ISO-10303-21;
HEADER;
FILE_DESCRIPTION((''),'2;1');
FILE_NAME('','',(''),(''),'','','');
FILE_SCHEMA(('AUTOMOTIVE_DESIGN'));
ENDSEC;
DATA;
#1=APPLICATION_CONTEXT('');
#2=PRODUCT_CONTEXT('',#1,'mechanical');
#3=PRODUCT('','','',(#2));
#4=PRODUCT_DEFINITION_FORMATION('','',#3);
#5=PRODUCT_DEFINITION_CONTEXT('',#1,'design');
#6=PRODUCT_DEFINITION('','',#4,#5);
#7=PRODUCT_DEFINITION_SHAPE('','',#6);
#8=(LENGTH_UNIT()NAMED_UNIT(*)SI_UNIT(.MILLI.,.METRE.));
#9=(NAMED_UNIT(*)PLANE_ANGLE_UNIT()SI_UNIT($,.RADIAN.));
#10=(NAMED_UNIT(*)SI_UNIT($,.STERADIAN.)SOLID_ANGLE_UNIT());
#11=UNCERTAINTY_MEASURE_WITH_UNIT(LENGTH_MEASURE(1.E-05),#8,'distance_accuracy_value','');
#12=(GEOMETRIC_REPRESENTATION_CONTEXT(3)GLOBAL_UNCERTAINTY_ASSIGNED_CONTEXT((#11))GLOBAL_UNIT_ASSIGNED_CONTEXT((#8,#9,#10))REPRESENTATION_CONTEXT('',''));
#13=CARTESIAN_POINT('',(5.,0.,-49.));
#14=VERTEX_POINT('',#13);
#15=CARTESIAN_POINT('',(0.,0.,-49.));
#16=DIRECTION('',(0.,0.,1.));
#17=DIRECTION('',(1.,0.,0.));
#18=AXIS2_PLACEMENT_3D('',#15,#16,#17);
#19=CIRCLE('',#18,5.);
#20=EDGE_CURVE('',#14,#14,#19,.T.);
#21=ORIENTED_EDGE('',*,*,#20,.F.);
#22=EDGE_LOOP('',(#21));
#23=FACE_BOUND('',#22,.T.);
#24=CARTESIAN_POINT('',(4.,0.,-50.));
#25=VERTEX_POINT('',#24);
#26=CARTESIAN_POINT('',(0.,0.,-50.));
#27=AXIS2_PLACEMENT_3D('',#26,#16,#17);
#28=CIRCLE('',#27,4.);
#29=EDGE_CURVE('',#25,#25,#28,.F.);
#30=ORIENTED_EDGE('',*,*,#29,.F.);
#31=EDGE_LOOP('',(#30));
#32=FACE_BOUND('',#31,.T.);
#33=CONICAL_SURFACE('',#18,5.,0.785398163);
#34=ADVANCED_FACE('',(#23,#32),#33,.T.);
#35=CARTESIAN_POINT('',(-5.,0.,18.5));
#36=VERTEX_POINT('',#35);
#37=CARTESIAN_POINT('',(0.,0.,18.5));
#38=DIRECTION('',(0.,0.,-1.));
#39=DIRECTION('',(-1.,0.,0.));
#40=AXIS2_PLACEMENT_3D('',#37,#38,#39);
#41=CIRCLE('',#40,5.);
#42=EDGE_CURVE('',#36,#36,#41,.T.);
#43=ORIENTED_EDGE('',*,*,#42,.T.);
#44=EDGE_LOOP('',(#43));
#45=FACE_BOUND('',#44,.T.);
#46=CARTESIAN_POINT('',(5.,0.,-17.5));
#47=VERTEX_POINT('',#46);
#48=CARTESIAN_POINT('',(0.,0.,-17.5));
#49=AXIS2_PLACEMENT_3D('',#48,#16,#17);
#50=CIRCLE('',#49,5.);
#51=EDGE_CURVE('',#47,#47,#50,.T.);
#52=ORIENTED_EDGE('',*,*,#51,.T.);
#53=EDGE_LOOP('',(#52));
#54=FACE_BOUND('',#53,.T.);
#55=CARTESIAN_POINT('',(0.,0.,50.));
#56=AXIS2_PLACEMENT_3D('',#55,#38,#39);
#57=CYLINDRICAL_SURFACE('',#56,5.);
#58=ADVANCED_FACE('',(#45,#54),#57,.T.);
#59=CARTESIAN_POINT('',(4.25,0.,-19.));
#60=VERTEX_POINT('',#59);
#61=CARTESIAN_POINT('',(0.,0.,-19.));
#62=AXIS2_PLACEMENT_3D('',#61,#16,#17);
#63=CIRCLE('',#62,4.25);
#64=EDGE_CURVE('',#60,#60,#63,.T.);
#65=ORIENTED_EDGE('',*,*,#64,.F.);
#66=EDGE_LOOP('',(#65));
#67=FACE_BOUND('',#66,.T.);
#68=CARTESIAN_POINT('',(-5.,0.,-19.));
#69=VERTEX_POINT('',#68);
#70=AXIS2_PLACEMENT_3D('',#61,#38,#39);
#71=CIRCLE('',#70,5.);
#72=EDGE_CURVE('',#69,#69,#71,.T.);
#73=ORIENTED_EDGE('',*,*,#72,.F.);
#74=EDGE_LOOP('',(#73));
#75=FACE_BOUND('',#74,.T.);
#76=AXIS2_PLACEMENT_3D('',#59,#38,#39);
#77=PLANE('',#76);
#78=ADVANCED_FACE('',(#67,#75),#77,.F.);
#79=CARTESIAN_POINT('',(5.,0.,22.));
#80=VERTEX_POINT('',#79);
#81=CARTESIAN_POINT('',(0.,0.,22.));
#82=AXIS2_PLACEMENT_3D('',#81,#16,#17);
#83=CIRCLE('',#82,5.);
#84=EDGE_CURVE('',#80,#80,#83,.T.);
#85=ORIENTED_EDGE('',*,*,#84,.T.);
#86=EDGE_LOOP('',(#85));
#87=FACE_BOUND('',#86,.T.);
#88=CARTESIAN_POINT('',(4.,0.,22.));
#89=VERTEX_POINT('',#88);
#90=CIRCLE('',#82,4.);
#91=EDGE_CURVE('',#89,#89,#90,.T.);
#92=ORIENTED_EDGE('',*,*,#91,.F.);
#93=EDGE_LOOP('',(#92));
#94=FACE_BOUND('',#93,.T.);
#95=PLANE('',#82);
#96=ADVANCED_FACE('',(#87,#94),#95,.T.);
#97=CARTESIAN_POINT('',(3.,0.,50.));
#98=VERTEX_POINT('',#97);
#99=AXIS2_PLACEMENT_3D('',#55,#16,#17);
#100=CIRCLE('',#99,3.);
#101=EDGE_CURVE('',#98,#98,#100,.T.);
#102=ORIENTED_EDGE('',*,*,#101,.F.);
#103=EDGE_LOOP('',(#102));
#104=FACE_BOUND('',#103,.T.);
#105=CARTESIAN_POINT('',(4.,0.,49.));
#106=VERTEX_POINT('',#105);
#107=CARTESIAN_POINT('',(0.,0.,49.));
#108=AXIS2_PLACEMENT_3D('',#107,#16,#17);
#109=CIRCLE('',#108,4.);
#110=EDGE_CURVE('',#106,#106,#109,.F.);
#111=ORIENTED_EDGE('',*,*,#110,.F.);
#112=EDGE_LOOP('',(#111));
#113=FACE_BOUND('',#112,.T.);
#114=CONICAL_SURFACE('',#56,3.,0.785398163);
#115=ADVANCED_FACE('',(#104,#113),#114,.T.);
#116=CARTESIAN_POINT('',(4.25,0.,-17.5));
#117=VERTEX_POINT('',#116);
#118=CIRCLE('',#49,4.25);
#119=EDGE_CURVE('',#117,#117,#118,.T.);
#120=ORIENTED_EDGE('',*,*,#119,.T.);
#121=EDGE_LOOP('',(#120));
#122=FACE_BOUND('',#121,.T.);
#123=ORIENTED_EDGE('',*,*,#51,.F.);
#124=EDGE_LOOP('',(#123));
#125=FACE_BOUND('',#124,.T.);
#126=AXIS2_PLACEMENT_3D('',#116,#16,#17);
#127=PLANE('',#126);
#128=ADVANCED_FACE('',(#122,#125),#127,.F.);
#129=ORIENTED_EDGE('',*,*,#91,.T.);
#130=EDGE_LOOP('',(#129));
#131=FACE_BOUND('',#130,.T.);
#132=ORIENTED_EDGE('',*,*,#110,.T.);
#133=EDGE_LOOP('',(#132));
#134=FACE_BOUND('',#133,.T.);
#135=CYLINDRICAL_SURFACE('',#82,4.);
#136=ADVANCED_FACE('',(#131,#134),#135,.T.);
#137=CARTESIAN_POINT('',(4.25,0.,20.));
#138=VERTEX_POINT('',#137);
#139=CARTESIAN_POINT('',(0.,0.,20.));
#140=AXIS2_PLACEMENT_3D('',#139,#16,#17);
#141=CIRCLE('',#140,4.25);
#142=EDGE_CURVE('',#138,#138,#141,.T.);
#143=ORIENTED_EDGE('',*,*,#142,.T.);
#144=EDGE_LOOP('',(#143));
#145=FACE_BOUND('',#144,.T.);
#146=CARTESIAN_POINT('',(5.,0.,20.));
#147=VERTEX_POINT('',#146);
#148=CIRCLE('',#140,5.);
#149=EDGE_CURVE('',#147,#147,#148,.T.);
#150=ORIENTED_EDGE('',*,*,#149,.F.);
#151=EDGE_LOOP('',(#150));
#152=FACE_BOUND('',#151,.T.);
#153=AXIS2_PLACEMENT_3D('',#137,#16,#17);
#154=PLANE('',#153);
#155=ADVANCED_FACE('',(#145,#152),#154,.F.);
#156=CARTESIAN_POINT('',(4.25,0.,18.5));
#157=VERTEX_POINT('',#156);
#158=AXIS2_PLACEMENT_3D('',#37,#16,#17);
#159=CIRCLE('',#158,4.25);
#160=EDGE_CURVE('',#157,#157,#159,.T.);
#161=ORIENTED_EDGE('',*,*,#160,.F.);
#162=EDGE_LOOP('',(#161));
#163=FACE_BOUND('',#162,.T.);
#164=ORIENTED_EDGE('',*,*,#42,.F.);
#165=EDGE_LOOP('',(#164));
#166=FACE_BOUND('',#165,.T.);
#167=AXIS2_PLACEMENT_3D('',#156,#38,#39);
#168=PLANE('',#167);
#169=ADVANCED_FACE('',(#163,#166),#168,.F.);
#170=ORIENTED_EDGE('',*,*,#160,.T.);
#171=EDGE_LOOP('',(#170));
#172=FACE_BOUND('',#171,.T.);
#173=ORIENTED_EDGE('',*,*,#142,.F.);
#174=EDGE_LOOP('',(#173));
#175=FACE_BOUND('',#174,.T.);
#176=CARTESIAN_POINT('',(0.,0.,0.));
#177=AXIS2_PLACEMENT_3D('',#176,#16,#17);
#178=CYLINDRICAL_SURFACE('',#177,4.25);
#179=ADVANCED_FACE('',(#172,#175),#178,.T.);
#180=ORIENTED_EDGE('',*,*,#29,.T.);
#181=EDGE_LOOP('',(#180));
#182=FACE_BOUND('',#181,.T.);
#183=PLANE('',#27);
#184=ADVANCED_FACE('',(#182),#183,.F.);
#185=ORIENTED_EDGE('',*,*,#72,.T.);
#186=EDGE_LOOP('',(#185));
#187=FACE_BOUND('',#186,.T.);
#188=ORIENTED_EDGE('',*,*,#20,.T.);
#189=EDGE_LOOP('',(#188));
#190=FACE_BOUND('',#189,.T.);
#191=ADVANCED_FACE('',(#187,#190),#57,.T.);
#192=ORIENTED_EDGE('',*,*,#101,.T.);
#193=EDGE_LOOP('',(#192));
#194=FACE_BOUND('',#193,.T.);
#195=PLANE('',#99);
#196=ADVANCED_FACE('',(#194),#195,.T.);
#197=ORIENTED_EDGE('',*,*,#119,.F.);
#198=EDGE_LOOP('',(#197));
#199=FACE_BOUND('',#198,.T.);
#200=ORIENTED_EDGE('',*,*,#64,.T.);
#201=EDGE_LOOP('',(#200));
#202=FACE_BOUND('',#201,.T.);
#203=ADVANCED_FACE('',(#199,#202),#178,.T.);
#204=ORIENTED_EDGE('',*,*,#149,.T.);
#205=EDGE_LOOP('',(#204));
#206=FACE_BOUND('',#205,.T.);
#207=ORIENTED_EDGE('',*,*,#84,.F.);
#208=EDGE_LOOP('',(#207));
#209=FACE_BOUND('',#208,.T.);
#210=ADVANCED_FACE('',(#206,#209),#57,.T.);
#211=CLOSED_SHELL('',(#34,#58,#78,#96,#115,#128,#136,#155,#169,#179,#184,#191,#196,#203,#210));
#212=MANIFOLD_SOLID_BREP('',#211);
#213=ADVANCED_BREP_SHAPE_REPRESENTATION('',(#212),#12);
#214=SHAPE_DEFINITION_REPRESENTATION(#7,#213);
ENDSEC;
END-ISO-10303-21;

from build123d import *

# Parameters (mm, degrees)
CROQUIS1_R              = 5
SALIENTE_EXTRUIR1_DEPTH = 50
CHAFL_N1_SIZE           = 1
CROQUIS4_W              = 1.5
CROQUIS4_H              = 1.5
CROQUIS5_OUTSIDE_W      = 32.2
CROQUIS5_OUTSIDE_H      = 32.2
CROQUIS5_OUTSIDE_R      = 4
CORTAR_EXTRUIR2_DEPTH   = 28
CHAFL_N3_SIZE           = 1


with BuildPart() as part:
    # Croquis1 → Saliente-Extruir1 (new, symmetric)
    with BuildSketch(Plane.XY):
        Circle(CROQUIS1_R)
    extrude(amount=SALIENTE_EXTRUIR1_DEPTH, both=True)

    # Chaflán1
    chafl_n1_edges = [part.edges().sort_by_distance(p)[0] for p in [
        (-5, 0, -50),
    ]]
    chamfer(chafl_n1_edges, length=CHAFL_N1_SIZE)

    # Croquis4 → Cortar-Revolución2 (revolve, cut)
    with BuildSketch(Plane(origin=(0, 0, 0), x_dir=(1, 0, 0), z_dir=(0, 1, 0))):
        with Locations((5, 18.25)):
            Rectangle(CROQUIS4_W, CROQUIS4_H)
        with Locations((5, -19.25)):
            Rectangle(CROQUIS4_W, CROQUIS4_H)
    revolve(axis=Axis((0, 0, 0), (0, 0, -1)), mode=Mode.SUBTRACT)

    # Croquis5 outside → Cortar-Extruir2 (cut)
    with BuildSketch(Plane.XY.offset(50)):
        Rectangle(CROQUIS5_OUTSIDE_W, CROQUIS5_OUTSIDE_H)
        Circle(CROQUIS5_OUTSIDE_R, mode=Mode.SUBTRACT)
    extrude(amount=-CORTAR_EXTRUIR2_DEPTH, mode=Mode.SUBTRACT)

    # Chaflán3
    chafl_n3_edges = [part.edges().sort_by_distance(p)[0] for p in [
        (-4, 0, 50),
    ]]
    chamfer(chafl_n3_edges, length=CHAFL_N3_SIZE)


solid = part.part
